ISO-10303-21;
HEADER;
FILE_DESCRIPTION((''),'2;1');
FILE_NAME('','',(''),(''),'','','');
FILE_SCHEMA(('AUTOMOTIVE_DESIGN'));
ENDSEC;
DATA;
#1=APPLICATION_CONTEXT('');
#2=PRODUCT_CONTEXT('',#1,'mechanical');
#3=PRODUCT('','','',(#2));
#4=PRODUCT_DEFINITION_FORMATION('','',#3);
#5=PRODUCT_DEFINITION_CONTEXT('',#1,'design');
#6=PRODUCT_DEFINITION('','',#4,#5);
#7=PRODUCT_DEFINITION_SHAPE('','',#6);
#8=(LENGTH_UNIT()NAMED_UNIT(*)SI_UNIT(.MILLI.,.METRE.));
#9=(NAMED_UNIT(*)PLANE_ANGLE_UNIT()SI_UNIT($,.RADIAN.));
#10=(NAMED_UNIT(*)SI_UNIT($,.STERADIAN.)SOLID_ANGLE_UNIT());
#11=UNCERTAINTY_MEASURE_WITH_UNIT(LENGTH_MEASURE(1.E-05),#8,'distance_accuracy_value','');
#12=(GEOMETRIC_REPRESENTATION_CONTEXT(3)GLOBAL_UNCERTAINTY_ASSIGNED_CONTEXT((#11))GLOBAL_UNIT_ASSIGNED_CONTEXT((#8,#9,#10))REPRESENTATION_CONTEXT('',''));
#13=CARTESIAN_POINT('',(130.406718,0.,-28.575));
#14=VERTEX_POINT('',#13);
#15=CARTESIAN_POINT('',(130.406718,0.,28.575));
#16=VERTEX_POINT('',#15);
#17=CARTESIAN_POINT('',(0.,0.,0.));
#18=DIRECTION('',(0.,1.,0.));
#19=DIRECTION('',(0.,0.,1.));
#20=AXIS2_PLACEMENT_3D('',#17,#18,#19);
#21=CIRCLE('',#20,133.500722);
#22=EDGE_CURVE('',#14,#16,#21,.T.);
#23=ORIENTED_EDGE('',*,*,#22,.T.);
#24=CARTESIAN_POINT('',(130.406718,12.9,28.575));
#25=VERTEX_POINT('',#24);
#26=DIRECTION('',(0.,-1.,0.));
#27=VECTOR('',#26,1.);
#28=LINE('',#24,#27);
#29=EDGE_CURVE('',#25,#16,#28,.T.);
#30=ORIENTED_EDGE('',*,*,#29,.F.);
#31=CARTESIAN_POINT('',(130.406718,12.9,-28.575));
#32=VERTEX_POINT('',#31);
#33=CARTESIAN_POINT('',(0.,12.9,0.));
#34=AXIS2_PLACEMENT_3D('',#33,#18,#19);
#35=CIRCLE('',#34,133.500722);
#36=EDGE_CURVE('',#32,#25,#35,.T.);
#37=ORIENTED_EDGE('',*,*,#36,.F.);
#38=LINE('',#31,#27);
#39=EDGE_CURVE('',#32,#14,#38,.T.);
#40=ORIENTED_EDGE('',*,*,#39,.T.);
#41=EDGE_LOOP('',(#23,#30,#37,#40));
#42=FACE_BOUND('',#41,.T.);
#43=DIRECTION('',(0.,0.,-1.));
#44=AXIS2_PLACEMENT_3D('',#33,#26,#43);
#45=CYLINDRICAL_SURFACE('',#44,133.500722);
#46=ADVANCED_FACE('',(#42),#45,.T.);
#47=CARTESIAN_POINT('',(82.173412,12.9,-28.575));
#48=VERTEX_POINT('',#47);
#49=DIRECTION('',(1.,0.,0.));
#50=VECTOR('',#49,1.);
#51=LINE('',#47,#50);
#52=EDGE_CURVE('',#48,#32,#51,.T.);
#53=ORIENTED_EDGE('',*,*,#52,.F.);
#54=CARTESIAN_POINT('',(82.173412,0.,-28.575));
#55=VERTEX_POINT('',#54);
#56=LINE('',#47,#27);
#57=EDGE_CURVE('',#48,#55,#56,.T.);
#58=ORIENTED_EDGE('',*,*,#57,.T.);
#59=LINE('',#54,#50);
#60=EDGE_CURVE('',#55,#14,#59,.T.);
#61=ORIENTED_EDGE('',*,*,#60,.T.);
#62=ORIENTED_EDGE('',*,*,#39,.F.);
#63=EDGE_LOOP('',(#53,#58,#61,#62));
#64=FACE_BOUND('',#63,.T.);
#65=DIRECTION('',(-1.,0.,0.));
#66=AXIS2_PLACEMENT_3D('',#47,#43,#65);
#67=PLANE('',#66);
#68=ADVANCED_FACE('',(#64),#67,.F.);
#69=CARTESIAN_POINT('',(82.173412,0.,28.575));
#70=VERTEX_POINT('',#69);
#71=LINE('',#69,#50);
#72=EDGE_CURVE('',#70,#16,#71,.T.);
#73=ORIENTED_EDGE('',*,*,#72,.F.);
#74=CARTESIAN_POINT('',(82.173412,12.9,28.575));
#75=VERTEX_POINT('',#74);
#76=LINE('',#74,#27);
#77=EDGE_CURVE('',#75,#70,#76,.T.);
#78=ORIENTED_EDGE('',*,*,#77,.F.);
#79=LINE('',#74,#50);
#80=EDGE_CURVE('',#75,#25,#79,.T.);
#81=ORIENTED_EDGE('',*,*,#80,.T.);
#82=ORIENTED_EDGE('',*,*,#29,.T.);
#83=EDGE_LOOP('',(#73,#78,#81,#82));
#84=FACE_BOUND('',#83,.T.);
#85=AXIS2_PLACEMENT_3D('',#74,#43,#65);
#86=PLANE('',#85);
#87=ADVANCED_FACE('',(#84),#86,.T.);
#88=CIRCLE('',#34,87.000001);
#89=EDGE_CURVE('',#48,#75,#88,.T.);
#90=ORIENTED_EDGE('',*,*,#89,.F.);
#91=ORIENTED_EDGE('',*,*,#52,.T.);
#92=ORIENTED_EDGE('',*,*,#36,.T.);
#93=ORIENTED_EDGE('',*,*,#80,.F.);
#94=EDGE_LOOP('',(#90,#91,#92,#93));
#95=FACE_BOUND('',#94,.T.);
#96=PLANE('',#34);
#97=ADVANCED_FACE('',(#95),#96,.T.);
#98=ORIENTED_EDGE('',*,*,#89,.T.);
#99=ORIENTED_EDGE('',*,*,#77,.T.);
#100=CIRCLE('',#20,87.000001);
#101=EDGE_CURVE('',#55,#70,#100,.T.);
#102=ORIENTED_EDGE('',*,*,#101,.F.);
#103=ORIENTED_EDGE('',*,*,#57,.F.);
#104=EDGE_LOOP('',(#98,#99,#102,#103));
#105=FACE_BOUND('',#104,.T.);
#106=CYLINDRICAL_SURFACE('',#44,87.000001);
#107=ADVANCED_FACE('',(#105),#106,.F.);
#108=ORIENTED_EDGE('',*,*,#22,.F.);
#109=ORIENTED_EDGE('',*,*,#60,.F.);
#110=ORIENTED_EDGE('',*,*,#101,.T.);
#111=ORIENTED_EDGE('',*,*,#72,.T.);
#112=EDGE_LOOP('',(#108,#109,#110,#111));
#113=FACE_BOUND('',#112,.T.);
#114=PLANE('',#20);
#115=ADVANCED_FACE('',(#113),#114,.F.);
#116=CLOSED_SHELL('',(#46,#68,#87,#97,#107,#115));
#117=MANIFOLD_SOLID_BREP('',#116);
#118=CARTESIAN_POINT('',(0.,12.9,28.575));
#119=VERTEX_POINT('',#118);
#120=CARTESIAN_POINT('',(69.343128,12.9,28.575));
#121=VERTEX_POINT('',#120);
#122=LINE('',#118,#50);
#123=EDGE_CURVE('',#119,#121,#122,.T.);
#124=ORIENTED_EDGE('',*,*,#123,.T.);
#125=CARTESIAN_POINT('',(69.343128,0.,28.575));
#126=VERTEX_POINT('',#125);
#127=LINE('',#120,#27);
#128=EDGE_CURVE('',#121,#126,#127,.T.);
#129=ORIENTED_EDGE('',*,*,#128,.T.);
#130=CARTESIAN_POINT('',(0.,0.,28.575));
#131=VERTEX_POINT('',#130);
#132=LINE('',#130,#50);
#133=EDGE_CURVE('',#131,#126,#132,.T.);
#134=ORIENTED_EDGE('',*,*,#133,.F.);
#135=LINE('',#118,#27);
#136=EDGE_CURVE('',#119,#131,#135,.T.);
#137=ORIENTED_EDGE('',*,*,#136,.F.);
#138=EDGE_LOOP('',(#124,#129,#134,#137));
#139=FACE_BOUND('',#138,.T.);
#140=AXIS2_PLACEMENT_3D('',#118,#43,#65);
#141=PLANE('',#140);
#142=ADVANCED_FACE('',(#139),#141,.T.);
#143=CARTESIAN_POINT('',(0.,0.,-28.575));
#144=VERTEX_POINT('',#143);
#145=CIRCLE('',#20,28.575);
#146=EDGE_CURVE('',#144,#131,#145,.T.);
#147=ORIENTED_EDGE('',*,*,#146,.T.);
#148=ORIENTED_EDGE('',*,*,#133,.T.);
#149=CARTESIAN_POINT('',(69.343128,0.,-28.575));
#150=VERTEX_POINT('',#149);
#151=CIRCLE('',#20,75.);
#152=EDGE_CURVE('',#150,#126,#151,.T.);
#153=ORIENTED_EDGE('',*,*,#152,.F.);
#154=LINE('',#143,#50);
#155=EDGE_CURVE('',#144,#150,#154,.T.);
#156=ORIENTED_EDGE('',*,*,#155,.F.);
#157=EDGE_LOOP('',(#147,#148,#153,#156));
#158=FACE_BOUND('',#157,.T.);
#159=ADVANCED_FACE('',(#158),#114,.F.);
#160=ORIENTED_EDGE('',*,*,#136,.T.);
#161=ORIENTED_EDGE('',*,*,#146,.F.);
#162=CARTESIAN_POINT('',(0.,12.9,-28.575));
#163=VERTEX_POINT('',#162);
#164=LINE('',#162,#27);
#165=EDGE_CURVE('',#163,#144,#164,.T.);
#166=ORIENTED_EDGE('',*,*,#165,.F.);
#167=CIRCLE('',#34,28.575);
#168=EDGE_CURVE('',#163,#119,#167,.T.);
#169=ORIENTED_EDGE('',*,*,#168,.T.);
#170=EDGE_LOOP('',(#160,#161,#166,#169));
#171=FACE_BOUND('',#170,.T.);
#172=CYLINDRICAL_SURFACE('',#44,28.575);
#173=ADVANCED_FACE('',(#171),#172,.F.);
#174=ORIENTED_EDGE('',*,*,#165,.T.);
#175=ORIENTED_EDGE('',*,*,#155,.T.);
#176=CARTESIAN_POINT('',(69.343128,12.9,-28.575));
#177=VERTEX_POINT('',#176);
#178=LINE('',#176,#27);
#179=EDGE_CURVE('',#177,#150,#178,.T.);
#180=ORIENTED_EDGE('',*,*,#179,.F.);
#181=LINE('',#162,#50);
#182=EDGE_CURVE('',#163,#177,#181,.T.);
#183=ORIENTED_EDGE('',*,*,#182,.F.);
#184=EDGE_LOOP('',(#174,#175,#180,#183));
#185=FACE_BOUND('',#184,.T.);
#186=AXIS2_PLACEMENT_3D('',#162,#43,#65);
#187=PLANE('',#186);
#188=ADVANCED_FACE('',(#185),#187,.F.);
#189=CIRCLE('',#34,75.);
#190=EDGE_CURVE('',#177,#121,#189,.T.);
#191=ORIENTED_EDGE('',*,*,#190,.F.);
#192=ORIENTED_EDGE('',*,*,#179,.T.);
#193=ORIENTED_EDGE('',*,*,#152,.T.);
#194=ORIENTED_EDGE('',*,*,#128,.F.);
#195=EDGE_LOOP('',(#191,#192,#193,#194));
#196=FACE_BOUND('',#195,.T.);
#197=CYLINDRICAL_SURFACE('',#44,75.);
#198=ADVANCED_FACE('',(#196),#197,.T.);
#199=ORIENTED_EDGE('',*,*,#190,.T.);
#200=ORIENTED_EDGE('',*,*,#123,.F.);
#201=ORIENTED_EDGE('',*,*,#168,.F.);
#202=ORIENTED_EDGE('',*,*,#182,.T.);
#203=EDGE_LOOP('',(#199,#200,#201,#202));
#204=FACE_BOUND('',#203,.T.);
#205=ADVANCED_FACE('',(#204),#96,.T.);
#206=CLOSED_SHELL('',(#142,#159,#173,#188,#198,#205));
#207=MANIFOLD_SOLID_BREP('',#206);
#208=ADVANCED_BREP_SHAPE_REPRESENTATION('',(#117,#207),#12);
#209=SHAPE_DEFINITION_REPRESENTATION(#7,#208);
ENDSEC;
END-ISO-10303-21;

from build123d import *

# Parameters (mm, degrees)
BOSS_EXTRUDE1_DEPTH = 12.9
BOSS_EXTRUDE2_DEPTH = 12.9


with BuildPart() as part:
    # Sketch1 → Boss-Extrude1 (new body)
    with BuildSketch(Plane(origin=(0, 0, 0), x_dir=(1, 0, 0), z_dir=(0, 1, 0))):
        with BuildLine():
            Line((0, 28.575), (69.343127814, 28.575))
            ThreePointArc((69.343127814, 28.575), (-75, 0), (69.343127814, -28.575))
            Line((69.343127814, -28.575), (0, -28.575))
            ThreePointArc((0, -28.575), (-28.575, 0), (0, 28.575))
        make_face()
    extrude(amount=BOSS_EXTRUDE1_DEPTH)


with BuildPart() as body_2:
    # Sketch1<21> → Boss-Extrude2 (new body)
    with BuildSketch(Plane(origin=(0, 0, 0), x_dir=(1, 0, 0), z_dir=(0, 1, 0))):
        with BuildLine():
            Line((82.173411936, -28.575), (130.406718206, -28.575))
            ThreePointArc((130.406718206, -28.575), (-133.500722014, 0), (130.406718206, 28.575))
            Line((130.406718206, 28.575), (82.173411936, 28.575))
            ThreePointArc((82.173411936, 28.575), (-87.000001461, 0), (82.173411936, -28.575))
        make_face()
    extrude(amount=BOSS_EXTRUDE2_DEPTH)


solid = Compound([part.part, body_2.part])
